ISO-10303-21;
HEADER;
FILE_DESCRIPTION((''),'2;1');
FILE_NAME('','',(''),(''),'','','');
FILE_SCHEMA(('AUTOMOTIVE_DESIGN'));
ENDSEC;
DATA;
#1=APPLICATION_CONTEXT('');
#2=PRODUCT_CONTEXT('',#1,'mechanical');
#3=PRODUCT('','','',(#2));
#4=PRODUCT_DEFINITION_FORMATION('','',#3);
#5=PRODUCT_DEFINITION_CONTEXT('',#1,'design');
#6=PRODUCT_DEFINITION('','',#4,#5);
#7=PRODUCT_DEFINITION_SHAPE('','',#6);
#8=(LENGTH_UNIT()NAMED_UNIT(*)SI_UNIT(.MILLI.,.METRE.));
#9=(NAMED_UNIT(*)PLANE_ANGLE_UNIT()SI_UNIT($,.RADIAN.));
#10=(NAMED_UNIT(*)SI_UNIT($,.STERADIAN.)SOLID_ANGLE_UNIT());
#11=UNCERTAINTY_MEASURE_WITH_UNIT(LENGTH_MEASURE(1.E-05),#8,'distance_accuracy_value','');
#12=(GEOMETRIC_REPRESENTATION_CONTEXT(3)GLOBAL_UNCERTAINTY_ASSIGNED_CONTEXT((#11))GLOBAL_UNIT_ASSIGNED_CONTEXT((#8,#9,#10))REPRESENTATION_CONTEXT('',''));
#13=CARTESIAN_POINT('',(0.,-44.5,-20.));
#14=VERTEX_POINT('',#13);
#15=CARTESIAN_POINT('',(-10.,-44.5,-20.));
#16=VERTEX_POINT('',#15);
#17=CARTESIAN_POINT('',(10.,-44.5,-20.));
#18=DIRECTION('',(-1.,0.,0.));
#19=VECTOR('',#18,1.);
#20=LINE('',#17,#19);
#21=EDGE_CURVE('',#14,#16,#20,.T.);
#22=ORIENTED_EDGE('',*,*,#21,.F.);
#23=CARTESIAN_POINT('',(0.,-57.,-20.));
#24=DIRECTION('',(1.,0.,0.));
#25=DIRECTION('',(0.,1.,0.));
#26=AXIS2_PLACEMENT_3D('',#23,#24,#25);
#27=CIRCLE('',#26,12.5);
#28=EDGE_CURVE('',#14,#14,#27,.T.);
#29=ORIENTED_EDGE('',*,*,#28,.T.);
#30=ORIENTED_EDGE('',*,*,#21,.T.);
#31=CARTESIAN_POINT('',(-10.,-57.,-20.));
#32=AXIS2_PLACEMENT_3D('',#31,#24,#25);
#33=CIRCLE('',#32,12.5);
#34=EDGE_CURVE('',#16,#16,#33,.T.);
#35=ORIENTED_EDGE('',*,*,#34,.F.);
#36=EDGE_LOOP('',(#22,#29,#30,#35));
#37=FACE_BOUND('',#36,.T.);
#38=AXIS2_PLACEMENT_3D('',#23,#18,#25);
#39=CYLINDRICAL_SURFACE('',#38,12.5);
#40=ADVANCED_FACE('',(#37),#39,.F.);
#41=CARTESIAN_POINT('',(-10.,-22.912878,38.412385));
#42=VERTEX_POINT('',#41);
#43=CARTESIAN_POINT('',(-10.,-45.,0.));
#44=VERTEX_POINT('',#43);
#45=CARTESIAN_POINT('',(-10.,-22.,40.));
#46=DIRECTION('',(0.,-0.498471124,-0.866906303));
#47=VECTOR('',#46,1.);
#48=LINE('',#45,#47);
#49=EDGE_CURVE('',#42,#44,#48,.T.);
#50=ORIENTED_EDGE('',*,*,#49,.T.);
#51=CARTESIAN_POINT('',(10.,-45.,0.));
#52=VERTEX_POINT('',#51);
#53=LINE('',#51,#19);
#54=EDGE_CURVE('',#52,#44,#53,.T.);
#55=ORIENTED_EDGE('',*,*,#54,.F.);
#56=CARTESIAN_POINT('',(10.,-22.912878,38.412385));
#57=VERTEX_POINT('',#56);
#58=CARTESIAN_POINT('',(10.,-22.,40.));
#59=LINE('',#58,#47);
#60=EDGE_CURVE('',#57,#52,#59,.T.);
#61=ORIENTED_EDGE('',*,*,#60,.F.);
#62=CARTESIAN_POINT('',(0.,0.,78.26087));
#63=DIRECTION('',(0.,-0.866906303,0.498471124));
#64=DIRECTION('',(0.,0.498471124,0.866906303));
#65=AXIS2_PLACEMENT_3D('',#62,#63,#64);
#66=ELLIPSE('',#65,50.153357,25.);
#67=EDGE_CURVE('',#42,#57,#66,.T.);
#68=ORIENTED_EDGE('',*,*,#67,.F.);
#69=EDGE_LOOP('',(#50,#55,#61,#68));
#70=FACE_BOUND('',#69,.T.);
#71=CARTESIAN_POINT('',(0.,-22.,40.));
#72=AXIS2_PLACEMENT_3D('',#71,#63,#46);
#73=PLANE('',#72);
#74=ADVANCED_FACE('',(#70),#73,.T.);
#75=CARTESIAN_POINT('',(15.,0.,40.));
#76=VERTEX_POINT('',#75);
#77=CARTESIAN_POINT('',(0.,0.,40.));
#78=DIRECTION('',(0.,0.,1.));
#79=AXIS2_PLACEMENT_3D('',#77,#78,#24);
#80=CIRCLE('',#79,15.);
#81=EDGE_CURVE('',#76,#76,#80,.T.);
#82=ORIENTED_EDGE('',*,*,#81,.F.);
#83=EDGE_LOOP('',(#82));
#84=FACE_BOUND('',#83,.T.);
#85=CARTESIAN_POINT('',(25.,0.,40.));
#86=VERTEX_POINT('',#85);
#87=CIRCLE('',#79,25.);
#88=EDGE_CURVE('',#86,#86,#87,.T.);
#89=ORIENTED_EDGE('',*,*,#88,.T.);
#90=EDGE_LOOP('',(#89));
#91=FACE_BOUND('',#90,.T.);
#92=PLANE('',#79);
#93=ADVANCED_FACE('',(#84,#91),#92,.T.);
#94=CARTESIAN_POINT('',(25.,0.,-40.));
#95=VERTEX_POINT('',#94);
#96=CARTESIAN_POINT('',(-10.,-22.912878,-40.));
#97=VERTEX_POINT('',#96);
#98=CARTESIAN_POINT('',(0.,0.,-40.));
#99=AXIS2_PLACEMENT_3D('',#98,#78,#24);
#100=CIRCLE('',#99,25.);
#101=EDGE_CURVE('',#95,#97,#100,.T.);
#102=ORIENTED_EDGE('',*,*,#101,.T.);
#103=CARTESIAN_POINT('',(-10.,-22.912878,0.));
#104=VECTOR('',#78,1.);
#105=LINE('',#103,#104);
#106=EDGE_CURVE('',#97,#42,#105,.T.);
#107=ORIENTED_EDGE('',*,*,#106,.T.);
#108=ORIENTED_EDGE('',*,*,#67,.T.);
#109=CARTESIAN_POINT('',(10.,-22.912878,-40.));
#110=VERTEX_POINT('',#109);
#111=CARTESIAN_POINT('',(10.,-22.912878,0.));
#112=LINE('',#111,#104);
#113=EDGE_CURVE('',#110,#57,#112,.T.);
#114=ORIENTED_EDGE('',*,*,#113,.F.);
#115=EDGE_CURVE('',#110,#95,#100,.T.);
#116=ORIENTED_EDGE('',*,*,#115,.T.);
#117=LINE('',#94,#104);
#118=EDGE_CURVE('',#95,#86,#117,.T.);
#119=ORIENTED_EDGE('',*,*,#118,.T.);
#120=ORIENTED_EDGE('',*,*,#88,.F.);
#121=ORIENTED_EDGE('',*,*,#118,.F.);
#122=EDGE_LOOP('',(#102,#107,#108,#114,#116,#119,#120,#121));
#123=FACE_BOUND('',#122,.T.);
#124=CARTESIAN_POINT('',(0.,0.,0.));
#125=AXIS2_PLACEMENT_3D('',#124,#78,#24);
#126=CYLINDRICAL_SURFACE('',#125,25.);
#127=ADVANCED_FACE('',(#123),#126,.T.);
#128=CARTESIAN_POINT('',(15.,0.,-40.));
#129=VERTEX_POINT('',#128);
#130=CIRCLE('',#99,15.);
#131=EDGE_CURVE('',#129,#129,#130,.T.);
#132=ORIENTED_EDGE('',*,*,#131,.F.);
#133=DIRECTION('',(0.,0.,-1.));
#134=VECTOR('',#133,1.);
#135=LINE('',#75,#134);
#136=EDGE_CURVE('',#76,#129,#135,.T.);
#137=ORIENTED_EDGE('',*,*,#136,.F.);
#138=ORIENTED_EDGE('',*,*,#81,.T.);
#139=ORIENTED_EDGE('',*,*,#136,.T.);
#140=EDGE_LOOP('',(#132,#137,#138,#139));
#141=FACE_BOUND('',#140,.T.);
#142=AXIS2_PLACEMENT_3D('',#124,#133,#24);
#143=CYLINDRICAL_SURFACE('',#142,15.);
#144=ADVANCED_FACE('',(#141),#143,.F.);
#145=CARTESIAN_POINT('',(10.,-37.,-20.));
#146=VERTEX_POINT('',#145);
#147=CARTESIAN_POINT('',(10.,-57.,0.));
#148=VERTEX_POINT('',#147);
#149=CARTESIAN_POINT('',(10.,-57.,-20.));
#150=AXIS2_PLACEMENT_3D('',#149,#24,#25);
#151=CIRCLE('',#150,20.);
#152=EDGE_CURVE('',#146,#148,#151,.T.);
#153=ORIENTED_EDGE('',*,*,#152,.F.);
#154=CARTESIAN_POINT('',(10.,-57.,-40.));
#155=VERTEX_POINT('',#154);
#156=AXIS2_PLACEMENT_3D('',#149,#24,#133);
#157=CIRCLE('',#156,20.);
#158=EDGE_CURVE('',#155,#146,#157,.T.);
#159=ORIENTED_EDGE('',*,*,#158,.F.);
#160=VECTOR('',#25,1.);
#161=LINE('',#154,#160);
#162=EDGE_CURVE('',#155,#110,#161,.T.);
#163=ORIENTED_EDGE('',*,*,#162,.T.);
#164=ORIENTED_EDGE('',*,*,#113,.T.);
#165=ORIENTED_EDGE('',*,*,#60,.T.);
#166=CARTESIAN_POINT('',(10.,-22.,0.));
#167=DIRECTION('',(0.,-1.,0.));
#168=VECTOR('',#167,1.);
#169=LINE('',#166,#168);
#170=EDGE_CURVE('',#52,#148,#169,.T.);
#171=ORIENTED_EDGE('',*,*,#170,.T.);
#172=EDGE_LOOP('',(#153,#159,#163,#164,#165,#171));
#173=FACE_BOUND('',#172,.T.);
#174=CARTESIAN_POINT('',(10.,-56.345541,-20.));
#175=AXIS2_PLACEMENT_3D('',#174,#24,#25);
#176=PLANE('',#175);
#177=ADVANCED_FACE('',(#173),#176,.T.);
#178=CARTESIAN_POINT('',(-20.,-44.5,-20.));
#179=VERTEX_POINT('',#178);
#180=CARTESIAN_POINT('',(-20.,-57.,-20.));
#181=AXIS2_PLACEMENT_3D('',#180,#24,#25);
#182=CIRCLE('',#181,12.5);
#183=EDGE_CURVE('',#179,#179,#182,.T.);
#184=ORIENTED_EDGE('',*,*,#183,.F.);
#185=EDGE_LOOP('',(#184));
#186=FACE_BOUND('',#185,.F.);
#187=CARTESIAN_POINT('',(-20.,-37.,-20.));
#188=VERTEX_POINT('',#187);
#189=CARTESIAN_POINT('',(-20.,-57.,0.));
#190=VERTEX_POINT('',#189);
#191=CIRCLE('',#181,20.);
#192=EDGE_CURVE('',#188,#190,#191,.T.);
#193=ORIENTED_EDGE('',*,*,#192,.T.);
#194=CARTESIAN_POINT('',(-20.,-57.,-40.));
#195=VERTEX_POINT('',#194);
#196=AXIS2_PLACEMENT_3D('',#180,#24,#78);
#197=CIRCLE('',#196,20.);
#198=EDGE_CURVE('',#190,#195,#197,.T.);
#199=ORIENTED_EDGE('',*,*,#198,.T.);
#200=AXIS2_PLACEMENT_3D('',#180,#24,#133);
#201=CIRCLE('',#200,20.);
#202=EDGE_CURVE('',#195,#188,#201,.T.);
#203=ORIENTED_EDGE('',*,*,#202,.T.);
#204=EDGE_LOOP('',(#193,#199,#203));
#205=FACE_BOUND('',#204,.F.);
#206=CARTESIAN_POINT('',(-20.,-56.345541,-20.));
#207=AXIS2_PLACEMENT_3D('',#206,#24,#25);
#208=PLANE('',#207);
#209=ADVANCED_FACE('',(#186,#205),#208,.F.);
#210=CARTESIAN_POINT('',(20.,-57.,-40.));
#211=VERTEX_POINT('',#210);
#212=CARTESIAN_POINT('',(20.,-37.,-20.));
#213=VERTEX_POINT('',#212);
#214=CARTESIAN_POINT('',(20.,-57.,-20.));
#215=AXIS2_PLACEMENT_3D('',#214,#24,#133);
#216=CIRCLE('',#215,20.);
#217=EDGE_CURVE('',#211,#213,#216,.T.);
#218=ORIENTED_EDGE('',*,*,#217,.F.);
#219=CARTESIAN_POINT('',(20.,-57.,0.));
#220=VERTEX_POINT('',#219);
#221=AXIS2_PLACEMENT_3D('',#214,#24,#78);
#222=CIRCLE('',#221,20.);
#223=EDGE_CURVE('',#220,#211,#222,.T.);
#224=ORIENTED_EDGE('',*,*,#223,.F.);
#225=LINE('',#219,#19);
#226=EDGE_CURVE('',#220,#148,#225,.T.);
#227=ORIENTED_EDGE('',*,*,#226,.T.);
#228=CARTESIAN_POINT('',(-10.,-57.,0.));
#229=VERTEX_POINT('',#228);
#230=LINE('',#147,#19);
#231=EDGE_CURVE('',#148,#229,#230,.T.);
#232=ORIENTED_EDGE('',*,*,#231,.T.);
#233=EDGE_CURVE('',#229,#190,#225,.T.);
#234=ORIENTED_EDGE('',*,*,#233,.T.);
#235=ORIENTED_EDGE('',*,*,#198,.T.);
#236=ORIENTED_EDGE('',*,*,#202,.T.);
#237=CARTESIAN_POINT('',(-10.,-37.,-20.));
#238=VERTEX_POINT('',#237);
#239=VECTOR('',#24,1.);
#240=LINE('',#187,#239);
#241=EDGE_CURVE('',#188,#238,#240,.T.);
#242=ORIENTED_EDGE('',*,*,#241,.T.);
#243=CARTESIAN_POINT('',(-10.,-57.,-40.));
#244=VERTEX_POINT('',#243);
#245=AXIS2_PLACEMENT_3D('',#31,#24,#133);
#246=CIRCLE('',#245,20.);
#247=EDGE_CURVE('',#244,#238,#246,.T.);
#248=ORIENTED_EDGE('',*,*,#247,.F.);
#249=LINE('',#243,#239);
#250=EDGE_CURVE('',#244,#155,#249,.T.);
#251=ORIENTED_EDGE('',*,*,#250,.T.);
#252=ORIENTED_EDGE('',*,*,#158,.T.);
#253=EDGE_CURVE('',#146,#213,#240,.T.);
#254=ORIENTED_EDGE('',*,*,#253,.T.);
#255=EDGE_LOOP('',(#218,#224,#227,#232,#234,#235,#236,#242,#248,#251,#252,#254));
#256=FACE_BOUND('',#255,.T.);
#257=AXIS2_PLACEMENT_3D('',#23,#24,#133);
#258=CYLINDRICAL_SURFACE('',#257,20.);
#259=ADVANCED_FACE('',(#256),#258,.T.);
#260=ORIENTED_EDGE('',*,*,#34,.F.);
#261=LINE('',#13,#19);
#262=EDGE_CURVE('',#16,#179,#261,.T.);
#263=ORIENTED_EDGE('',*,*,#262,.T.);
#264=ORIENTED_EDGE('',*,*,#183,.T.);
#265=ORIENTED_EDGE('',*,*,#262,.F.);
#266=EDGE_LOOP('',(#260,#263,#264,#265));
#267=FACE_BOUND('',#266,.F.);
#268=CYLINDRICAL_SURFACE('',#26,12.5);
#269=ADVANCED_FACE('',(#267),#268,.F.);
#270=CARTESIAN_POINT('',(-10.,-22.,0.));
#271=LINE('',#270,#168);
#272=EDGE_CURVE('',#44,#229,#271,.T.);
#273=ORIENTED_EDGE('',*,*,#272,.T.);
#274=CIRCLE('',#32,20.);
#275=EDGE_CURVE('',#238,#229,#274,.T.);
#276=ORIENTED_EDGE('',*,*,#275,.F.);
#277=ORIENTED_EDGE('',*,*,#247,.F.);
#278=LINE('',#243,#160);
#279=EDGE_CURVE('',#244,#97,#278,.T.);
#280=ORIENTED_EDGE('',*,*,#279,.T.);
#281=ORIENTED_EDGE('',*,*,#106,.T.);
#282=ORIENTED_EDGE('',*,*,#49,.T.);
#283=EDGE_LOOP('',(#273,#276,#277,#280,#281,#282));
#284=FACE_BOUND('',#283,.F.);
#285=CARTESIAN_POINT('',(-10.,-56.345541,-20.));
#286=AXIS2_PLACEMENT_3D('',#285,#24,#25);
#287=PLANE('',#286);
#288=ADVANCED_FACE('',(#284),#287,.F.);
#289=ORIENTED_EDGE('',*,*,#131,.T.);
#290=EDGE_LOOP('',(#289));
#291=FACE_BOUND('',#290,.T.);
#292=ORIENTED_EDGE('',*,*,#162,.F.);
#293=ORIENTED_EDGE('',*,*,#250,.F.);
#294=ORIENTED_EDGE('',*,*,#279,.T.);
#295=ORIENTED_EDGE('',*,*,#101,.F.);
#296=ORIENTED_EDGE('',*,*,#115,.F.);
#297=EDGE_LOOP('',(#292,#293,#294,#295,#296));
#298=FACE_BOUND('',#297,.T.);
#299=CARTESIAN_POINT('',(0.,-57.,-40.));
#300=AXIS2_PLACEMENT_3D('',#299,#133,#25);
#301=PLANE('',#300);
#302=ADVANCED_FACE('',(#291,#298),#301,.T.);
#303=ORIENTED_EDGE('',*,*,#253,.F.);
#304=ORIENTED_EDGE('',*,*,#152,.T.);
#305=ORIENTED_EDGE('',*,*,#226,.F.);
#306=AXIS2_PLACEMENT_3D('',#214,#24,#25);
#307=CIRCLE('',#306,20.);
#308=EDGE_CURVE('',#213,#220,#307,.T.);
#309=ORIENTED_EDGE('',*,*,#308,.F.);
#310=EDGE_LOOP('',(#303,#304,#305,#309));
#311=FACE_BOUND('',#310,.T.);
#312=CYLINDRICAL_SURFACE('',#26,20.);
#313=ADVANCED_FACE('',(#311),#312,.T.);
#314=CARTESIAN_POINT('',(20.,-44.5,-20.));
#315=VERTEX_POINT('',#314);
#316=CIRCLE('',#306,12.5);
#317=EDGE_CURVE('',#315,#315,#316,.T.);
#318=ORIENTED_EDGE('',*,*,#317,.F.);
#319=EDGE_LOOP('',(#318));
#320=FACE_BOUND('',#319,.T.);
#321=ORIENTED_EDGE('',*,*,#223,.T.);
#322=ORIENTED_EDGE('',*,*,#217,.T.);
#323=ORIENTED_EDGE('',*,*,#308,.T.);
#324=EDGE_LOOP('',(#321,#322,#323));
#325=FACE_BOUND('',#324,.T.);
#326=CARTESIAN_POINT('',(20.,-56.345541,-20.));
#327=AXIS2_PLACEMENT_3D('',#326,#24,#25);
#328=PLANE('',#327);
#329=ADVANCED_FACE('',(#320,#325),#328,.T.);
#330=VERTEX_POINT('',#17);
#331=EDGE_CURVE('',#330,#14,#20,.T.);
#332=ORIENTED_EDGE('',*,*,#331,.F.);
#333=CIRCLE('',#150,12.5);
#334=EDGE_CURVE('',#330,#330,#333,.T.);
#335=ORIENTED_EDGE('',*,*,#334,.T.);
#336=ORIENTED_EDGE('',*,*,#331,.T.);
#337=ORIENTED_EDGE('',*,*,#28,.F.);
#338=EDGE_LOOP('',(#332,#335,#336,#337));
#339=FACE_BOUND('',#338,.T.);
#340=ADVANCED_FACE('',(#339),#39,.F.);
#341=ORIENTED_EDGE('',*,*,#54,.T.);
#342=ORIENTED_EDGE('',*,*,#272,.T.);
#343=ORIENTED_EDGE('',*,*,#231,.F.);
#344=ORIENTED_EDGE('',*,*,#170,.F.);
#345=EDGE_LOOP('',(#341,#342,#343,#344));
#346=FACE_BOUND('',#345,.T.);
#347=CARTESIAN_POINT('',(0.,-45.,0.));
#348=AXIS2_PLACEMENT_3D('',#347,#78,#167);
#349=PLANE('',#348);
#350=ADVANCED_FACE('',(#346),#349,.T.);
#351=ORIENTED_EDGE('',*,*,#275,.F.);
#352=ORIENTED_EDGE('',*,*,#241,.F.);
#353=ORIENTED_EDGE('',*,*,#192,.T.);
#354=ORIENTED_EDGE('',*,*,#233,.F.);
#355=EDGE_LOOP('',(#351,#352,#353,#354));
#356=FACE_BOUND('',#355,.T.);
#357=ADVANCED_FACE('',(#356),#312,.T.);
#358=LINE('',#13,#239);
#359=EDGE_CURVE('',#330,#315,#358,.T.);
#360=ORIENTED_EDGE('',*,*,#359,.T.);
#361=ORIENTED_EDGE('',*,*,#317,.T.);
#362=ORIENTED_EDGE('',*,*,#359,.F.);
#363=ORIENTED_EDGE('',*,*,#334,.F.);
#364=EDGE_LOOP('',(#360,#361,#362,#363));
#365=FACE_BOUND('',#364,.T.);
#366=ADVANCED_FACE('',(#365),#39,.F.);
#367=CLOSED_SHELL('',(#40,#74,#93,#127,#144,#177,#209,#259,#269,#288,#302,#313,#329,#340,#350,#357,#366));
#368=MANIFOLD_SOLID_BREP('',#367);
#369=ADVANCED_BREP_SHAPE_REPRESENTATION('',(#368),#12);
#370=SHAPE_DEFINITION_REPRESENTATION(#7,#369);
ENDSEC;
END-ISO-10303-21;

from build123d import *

# Parameters (mm, degrees)
F0_R     = 25
F0_R_2   = 15
F1_DEPTH = 40
F2_R     = 12.5
F3_DEPTH = 10
F4_DEPTH = 20


with BuildPart() as f1:
    # F0 (on Top) → F1 (new body, symmetric)
    with BuildSketch(Plane.XY):
        Circle(F0_R)
        Circle(F0_R_2, mode=Mode.SUBTRACT)
    extrude(amount=F1_DEPTH, both=True)

    # F2 (on Right) → F3 (join, symmetric)
    with BuildSketch(Plane.YZ):
        with BuildLine():
            ThreePointArc((-57, -40), (-42.8578643763, -34.1421356237), (-37, -20))
            ThreePointArc((-37, -20), (-42.8578643763, -5.8578643763), (-57, 0))
            ThreePointArc((-57, 0), (-77, -20), (-57, -40))
        make_face()
        with Locations((-57, -20)):
            Circle(F2_R, mode=Mode.SUBTRACT)
        with BuildLine():
            ThreePointArc((-57, 0), (-42.8578643763, -5.8578643763), (-37, -20))
            ThreePointArc((-37, -20), (-42.8578643763, -34.1421356237), (-57, -40))
            Line((-57, -40), (-22, -40))
            Line((-22, -40), (-22, 0))
            Line((-22, 0), (-45, 0))
            Line((-45, 0), (-57, 0))
        make_face()
        Polygon((-22, 40), (-45, 0), (-22, 0), align=None)
    extrude(amount=F3_DEPTH, both=True)

    # F2 (on Right) → F4 (join, symmetric)
    with BuildSketch(Plane.YZ):
        with BuildLine():
            ThreePointArc((-57, -40), (-42.8578643763, -34.1421356237), (-37, -20))
            ThreePointArc((-37, -20), (-42.8578643763, -5.8578643763), (-57, 0))
            ThreePointArc((-57, 0), (-77, -20), (-57, -40))
        make_face()
        with Locations((-57, -20)):
            Circle(F2_R, mode=Mode.SUBTRACT)
    extrude(amount=F4_DEPTH, both=True)


solid = f1.part
